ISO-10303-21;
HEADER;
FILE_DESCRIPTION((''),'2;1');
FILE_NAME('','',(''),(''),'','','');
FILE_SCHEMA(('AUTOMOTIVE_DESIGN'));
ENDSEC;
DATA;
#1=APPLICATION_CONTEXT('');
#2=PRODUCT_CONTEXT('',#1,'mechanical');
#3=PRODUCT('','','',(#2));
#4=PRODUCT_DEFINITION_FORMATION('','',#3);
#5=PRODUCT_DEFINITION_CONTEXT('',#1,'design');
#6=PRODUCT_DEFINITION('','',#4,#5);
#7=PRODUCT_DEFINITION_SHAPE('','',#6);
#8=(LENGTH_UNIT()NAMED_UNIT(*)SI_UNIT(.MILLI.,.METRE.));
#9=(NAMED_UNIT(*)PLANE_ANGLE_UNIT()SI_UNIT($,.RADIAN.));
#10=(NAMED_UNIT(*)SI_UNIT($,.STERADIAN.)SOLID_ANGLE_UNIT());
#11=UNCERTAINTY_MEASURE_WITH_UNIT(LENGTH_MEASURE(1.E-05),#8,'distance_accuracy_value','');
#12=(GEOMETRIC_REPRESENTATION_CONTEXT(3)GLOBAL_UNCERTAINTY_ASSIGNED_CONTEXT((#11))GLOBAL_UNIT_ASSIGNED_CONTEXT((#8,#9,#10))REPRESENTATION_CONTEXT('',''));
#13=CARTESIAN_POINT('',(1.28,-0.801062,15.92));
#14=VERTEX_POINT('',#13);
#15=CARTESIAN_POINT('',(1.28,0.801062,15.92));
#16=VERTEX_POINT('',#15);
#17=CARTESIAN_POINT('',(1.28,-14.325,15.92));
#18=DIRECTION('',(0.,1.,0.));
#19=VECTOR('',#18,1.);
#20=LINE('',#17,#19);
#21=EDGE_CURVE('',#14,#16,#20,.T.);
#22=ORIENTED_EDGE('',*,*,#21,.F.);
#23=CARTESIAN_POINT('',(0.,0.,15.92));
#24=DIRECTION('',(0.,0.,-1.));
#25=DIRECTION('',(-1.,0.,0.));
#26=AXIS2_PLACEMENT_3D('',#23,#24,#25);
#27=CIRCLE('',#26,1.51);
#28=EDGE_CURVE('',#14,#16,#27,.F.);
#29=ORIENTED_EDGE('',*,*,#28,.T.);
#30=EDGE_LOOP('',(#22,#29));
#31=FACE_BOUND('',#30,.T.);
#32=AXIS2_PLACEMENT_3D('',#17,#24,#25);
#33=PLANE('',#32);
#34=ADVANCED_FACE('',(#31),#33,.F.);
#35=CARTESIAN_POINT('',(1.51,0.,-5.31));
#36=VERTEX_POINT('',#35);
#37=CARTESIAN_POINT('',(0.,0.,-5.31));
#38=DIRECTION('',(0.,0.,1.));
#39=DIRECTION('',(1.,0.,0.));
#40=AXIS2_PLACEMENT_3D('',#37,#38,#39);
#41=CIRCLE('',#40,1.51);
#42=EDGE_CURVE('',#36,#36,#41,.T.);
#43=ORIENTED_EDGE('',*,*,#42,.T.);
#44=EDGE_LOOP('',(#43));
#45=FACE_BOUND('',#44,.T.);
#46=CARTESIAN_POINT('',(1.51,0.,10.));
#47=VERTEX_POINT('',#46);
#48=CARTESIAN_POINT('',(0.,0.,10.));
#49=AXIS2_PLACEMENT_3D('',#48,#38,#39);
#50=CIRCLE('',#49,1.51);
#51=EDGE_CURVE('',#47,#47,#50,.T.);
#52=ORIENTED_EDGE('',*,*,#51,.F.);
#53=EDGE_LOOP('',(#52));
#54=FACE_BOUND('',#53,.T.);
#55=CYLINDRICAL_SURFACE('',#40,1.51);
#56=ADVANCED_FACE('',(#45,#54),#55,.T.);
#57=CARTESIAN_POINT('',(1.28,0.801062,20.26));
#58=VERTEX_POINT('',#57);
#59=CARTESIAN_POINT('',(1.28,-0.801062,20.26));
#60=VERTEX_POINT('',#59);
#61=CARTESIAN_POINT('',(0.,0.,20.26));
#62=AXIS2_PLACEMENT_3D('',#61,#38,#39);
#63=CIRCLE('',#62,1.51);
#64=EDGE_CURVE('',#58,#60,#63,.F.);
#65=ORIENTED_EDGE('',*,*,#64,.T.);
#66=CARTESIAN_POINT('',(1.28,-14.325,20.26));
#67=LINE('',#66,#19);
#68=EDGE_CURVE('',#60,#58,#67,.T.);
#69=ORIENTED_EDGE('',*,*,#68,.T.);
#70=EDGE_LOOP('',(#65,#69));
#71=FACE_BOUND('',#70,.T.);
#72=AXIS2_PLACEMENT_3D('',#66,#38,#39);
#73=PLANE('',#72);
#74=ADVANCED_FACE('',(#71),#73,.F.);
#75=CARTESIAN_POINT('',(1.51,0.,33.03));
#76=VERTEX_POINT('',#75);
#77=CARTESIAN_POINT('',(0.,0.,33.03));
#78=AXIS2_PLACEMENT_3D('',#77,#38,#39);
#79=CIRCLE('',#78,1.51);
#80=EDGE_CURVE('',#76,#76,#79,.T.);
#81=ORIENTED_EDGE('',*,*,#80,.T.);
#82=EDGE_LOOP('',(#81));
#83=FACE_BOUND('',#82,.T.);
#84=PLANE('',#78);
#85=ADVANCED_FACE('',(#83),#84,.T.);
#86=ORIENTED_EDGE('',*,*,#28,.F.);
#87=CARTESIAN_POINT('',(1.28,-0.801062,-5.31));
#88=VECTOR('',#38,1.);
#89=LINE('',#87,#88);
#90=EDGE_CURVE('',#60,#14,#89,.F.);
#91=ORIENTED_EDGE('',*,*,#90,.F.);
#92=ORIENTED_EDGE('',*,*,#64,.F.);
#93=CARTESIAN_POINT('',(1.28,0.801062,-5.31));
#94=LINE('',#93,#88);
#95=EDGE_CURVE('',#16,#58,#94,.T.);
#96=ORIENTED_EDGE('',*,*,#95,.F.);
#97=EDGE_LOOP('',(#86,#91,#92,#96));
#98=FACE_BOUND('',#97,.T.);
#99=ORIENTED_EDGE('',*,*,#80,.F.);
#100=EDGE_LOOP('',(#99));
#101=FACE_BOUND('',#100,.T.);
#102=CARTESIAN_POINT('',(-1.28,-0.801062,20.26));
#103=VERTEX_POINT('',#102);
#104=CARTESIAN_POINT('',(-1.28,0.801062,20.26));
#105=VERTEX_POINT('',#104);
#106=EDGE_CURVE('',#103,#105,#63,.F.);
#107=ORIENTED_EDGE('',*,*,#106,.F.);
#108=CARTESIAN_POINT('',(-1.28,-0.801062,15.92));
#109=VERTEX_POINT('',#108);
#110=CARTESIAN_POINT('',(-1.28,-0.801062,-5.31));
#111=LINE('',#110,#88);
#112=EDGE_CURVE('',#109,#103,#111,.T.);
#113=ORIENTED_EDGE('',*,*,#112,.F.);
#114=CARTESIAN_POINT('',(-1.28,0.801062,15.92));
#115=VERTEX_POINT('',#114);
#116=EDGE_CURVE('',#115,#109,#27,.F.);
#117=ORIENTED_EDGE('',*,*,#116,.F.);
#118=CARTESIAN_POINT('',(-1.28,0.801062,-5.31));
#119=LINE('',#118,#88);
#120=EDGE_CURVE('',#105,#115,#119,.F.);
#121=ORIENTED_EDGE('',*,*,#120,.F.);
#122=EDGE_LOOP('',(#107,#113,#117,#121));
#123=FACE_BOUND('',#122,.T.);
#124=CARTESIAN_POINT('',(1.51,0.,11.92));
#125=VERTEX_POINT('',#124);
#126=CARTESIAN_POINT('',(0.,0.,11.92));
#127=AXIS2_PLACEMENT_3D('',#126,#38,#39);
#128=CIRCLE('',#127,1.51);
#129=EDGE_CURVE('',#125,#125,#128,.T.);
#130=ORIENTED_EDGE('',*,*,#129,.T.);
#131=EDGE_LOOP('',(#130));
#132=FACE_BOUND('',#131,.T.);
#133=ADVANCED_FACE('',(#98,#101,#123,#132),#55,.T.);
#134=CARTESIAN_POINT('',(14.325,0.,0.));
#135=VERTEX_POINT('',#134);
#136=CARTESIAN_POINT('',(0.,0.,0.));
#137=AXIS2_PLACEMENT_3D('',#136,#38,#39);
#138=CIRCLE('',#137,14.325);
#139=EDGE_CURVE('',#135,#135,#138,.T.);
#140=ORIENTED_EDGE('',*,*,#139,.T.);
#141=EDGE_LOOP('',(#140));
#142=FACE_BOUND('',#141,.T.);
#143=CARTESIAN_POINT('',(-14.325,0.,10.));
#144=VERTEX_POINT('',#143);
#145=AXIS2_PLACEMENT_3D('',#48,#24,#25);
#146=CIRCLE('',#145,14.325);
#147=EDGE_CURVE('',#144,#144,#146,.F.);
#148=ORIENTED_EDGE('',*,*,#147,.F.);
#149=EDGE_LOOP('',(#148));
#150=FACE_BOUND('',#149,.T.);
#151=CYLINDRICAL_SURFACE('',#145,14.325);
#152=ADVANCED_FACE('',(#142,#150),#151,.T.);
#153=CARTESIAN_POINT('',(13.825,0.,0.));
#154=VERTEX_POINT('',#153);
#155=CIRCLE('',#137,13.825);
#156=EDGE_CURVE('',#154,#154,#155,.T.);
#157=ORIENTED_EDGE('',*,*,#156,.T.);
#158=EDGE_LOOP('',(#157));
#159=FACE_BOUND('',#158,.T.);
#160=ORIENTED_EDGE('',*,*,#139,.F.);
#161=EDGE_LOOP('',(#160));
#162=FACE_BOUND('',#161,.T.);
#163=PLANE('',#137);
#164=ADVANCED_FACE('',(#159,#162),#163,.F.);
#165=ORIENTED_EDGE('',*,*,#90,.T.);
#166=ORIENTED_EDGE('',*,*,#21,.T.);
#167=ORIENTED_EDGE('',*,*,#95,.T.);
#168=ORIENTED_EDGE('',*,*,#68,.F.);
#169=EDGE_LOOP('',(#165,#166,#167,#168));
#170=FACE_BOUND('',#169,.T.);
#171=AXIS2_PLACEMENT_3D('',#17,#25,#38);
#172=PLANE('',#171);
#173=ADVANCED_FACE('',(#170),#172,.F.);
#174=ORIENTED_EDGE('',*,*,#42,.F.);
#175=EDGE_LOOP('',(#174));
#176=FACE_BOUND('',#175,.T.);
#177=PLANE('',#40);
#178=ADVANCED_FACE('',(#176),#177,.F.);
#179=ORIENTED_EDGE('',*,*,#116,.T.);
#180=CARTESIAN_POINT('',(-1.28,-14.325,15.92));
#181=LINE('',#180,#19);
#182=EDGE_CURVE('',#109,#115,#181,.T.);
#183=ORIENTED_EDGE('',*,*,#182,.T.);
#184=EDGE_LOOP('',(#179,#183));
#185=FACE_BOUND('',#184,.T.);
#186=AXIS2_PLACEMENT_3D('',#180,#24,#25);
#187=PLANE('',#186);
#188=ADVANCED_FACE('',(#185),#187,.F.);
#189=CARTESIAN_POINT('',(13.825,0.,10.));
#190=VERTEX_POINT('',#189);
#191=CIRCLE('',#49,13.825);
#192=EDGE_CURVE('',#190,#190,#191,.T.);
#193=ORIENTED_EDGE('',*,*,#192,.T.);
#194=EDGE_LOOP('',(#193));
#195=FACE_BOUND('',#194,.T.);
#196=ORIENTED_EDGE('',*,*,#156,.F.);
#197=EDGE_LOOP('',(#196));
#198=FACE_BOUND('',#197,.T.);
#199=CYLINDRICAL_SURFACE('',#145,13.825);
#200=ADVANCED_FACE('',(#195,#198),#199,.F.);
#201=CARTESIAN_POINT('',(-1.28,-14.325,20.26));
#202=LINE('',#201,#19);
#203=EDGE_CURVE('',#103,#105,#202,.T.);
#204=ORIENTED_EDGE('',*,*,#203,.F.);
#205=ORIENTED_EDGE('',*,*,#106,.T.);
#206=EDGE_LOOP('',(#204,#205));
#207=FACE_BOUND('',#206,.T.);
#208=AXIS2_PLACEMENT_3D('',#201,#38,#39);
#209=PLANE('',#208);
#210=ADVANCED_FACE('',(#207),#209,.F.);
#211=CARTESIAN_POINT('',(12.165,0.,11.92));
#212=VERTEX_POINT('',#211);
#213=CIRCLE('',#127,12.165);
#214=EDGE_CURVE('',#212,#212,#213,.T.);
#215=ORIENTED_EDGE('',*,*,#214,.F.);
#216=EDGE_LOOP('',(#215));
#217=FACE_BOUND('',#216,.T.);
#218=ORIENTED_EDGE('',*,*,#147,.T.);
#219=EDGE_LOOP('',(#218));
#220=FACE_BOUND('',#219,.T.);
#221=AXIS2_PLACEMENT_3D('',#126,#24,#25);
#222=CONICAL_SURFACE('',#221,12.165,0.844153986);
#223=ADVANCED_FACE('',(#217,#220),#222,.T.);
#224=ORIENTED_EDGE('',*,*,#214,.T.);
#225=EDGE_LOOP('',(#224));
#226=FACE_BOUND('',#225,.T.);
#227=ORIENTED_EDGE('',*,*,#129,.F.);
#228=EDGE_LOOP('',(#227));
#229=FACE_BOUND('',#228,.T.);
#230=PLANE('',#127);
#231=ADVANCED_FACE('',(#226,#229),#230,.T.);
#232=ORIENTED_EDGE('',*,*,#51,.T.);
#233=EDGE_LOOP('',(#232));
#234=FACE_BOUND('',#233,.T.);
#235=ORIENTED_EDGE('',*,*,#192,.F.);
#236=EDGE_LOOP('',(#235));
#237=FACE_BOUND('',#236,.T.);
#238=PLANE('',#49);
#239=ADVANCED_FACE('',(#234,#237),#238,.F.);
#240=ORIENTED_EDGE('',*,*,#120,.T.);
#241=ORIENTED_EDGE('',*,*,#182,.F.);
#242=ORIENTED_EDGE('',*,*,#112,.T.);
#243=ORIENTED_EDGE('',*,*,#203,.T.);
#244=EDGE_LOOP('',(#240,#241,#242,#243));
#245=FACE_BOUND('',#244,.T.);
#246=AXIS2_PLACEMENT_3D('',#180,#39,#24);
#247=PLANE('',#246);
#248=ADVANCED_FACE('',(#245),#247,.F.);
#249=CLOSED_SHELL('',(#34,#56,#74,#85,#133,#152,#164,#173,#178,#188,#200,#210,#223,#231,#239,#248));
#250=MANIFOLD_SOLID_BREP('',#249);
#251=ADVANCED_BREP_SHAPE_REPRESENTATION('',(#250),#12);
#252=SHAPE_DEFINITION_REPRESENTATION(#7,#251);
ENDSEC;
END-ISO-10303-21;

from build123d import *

# Parameters (mm, degrees)
SKETCH1_R                = 14.325
SKETCH1_R_2              = 13.825
BOSS_EXTRUDE1_DEPTH      = 10
SKETCH2_R                = 14.325
SKETCH3_R                = 12.165
SKETCH5_R                = 1.51
BOSS_EXTRUDE3_DEPTH      = 21.11
BOSS_EXTRUDE3_DEPTH_BACK = 17.23
SKETCH6_W                = 1
SKETCH6_H                = 4.34
CUT_EXTRUDE1_DEPTH       = 15.3250001
CUT_EXTRUDE1_DEPTH_BACK  = 15.3250001


with BuildPart() as part:
    # Sketch1 → Boss-Extrude1 (new body)
    with BuildSketch(Plane.XY):
        Circle(SKETCH1_R)
        Circle(SKETCH1_R_2, mode=Mode.SUBTRACT)
    extrude(amount=BOSS_EXTRUDE1_DEPTH)

    # Sketch2 → Loft1 section 0
    with BuildSketch(Plane.XY.offset(10)):
        Circle(SKETCH2_R)
    # Sketch3 → Loft1 section 1
    with BuildSketch(Plane.XY.offset(11.92)):
        Circle(SKETCH3_R)
    loft()

    # Sketch5 → Boss-Extrude3 (add, two sides)
    with BuildSketch(Plane.XY.offset(11.92)) as boss_extrude3_sk:
        Circle(SKETCH5_R)
    extrude(amount=BOSS_EXTRUDE3_DEPTH)
    extrude(boss_extrude3_sk.sketch, amount=-BOSS_EXTRUDE3_DEPTH_BACK)

    # Sketch6 → Cut-Extrude1 (cut, two sides)
    with BuildSketch(Plane(origin=(0, 0, 0), x_dir=(1, 0, 0), z_dir=(0, 1, 0))) as cut_extrude1_sk:
        with Locations((-1.78, -18.09)):
            Rectangle(SKETCH6_W, SKETCH6_H)
        with Locations((1.78, -18.09)):
            Rectangle(SKETCH6_W, SKETCH6_H)
    extrude(amount=CUT_EXTRUDE1_DEPTH, mode=Mode.SUBTRACT)
    extrude(cut_extrude1_sk.sketch, amount=-CUT_EXTRUDE1_DEPTH_BACK, mode=Mode.SUBTRACT)


solid = part.part
